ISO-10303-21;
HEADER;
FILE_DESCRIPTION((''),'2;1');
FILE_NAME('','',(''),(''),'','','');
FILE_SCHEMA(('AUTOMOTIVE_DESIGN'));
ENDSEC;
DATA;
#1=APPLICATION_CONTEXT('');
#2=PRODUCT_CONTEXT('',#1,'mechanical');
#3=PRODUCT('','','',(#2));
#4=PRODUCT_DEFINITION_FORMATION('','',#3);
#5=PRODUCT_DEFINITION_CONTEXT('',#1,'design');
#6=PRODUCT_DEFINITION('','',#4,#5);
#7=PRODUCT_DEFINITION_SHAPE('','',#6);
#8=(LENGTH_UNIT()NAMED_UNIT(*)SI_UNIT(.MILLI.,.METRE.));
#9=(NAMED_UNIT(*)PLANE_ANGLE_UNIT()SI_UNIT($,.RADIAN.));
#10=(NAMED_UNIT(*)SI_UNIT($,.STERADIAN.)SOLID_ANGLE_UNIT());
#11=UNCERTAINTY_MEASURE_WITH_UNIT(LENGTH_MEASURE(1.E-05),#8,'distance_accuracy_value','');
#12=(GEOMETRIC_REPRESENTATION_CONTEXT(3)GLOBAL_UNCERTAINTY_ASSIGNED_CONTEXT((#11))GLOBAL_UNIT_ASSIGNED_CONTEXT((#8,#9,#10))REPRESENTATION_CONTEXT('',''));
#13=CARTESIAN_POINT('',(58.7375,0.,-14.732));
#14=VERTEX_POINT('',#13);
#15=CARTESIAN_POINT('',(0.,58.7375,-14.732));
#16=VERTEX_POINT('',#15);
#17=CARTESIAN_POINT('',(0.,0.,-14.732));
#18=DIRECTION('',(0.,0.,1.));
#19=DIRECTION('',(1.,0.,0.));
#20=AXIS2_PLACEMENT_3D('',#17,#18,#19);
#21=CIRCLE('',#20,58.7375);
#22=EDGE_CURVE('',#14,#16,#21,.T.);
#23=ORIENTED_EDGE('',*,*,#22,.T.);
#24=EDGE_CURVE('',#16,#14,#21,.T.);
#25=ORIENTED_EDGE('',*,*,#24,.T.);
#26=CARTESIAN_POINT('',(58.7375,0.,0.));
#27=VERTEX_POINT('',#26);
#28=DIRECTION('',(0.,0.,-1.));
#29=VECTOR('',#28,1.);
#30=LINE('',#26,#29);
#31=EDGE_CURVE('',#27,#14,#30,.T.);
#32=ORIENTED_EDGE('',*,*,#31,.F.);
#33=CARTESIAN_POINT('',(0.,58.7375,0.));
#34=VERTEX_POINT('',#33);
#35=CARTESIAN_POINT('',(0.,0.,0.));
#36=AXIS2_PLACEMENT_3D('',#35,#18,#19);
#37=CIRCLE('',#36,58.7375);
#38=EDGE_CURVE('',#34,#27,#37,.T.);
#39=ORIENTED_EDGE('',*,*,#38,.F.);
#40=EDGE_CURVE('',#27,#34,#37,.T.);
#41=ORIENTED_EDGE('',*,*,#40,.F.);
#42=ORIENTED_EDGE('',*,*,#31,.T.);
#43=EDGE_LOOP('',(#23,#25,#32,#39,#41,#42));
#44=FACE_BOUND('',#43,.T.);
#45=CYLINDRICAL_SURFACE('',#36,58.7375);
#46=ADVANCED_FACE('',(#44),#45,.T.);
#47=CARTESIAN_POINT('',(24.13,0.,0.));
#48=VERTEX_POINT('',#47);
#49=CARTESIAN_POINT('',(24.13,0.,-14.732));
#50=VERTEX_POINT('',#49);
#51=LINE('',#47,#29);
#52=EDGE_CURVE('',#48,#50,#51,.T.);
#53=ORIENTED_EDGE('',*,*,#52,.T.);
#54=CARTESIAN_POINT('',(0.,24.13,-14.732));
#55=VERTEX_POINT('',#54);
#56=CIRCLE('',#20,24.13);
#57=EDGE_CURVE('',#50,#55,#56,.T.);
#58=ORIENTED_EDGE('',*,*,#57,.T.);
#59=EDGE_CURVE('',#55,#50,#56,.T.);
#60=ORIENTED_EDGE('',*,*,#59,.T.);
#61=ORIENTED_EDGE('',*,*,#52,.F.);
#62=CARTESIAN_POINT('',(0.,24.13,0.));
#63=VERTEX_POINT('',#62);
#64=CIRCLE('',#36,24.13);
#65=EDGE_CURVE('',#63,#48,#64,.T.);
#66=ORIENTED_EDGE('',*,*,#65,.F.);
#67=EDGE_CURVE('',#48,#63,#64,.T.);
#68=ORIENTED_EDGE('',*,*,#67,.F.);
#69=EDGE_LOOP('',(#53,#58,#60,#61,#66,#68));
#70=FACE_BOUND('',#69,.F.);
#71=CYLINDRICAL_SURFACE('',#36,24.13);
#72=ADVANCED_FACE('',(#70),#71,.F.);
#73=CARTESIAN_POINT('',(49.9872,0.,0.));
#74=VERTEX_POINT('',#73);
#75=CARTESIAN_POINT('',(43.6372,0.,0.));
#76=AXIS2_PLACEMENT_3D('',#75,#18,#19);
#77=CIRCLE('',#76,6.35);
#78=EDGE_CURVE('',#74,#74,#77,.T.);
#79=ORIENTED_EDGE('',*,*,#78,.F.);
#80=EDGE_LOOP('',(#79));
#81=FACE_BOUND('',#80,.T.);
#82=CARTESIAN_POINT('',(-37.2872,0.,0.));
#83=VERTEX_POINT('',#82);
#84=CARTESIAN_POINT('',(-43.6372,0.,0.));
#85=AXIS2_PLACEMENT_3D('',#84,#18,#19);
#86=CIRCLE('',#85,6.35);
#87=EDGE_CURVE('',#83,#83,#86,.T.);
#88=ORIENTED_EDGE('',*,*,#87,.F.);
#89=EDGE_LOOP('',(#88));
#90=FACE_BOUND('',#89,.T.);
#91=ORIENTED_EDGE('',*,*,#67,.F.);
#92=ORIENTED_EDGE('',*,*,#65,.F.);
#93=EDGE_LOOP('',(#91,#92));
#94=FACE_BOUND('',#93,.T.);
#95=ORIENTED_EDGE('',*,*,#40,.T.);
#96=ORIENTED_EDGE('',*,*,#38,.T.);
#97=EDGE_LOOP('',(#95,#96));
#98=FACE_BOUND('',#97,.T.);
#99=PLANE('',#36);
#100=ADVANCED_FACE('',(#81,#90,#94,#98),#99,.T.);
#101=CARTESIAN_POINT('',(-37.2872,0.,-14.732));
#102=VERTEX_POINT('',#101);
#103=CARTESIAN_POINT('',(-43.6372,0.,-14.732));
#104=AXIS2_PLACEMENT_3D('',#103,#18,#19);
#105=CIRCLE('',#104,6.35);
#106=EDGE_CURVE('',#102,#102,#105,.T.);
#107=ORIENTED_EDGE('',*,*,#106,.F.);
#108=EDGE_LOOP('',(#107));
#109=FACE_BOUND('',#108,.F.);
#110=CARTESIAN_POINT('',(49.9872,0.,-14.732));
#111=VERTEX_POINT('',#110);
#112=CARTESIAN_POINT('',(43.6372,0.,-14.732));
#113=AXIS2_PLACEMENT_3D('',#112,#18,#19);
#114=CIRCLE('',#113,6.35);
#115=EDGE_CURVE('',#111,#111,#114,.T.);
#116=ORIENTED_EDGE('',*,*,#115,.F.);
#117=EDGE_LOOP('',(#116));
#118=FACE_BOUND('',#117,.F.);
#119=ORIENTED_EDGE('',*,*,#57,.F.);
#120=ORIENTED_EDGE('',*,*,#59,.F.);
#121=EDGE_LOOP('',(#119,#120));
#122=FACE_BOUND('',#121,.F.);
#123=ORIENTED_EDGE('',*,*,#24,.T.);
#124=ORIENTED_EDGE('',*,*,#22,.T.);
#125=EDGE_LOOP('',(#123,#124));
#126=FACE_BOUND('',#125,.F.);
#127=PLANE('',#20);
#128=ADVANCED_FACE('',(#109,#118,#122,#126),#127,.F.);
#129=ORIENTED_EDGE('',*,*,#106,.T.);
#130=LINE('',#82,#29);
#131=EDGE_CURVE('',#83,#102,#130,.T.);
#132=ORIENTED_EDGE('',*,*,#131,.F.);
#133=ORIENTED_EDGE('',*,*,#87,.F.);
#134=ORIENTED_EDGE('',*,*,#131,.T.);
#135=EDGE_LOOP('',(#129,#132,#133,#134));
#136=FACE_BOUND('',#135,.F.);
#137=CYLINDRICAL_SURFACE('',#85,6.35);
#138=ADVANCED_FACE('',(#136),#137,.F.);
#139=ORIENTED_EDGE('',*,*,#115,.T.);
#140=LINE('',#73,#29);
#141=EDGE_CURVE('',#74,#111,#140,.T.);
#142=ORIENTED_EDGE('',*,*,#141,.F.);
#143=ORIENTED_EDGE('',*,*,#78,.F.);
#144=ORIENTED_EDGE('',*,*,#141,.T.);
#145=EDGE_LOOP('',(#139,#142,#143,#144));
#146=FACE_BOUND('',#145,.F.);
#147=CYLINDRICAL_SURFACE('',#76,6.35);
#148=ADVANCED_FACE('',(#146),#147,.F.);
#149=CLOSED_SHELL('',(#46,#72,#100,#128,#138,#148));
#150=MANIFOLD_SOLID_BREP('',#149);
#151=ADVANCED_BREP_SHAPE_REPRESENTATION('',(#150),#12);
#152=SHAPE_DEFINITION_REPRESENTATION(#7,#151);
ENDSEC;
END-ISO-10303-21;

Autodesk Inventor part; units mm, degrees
ref_plane "YZ Plane" through (0, 0, 0) normal (1, 0, 0) x (0, 1, 0)
ref_plane "XZ Plane" through (0, 0, 0) normal (0, 1, 0) x (-1, 0, 0)
ref_plane "XY Plane" through (0, 0, 0) normal (0, 0, 1) x (1, 0, 0)
sketch "Sketch1" plane through (0, 0, 0) normal (0, 0, 1) x (1, 0, 0)
  circle A0 centre (0, 0) radius 24.13
  circle A1 centre (0, 0) radius 58.7375
  circle A2 centre (43.6372, 0) radius 6.35
  line L0 (0, 24.13) -> (0, 58.7375)
  circle A3 centre (-43.6372, 0) radius 6.35
  dimension "d0" = 48.26
  dimension "d1" = 117.475
  dimension "d4" = 12.7
  dimension "d5" = 43.6372
extrude "Extrusion1" add sketch "Sketch1" against normal blind 14.732 contours A1 | A2 | A3
extrude "Extrusion2" cut sketch "Sketch1" against normal through all contours A2 | A3
properties part number "Red Pump Flange"
